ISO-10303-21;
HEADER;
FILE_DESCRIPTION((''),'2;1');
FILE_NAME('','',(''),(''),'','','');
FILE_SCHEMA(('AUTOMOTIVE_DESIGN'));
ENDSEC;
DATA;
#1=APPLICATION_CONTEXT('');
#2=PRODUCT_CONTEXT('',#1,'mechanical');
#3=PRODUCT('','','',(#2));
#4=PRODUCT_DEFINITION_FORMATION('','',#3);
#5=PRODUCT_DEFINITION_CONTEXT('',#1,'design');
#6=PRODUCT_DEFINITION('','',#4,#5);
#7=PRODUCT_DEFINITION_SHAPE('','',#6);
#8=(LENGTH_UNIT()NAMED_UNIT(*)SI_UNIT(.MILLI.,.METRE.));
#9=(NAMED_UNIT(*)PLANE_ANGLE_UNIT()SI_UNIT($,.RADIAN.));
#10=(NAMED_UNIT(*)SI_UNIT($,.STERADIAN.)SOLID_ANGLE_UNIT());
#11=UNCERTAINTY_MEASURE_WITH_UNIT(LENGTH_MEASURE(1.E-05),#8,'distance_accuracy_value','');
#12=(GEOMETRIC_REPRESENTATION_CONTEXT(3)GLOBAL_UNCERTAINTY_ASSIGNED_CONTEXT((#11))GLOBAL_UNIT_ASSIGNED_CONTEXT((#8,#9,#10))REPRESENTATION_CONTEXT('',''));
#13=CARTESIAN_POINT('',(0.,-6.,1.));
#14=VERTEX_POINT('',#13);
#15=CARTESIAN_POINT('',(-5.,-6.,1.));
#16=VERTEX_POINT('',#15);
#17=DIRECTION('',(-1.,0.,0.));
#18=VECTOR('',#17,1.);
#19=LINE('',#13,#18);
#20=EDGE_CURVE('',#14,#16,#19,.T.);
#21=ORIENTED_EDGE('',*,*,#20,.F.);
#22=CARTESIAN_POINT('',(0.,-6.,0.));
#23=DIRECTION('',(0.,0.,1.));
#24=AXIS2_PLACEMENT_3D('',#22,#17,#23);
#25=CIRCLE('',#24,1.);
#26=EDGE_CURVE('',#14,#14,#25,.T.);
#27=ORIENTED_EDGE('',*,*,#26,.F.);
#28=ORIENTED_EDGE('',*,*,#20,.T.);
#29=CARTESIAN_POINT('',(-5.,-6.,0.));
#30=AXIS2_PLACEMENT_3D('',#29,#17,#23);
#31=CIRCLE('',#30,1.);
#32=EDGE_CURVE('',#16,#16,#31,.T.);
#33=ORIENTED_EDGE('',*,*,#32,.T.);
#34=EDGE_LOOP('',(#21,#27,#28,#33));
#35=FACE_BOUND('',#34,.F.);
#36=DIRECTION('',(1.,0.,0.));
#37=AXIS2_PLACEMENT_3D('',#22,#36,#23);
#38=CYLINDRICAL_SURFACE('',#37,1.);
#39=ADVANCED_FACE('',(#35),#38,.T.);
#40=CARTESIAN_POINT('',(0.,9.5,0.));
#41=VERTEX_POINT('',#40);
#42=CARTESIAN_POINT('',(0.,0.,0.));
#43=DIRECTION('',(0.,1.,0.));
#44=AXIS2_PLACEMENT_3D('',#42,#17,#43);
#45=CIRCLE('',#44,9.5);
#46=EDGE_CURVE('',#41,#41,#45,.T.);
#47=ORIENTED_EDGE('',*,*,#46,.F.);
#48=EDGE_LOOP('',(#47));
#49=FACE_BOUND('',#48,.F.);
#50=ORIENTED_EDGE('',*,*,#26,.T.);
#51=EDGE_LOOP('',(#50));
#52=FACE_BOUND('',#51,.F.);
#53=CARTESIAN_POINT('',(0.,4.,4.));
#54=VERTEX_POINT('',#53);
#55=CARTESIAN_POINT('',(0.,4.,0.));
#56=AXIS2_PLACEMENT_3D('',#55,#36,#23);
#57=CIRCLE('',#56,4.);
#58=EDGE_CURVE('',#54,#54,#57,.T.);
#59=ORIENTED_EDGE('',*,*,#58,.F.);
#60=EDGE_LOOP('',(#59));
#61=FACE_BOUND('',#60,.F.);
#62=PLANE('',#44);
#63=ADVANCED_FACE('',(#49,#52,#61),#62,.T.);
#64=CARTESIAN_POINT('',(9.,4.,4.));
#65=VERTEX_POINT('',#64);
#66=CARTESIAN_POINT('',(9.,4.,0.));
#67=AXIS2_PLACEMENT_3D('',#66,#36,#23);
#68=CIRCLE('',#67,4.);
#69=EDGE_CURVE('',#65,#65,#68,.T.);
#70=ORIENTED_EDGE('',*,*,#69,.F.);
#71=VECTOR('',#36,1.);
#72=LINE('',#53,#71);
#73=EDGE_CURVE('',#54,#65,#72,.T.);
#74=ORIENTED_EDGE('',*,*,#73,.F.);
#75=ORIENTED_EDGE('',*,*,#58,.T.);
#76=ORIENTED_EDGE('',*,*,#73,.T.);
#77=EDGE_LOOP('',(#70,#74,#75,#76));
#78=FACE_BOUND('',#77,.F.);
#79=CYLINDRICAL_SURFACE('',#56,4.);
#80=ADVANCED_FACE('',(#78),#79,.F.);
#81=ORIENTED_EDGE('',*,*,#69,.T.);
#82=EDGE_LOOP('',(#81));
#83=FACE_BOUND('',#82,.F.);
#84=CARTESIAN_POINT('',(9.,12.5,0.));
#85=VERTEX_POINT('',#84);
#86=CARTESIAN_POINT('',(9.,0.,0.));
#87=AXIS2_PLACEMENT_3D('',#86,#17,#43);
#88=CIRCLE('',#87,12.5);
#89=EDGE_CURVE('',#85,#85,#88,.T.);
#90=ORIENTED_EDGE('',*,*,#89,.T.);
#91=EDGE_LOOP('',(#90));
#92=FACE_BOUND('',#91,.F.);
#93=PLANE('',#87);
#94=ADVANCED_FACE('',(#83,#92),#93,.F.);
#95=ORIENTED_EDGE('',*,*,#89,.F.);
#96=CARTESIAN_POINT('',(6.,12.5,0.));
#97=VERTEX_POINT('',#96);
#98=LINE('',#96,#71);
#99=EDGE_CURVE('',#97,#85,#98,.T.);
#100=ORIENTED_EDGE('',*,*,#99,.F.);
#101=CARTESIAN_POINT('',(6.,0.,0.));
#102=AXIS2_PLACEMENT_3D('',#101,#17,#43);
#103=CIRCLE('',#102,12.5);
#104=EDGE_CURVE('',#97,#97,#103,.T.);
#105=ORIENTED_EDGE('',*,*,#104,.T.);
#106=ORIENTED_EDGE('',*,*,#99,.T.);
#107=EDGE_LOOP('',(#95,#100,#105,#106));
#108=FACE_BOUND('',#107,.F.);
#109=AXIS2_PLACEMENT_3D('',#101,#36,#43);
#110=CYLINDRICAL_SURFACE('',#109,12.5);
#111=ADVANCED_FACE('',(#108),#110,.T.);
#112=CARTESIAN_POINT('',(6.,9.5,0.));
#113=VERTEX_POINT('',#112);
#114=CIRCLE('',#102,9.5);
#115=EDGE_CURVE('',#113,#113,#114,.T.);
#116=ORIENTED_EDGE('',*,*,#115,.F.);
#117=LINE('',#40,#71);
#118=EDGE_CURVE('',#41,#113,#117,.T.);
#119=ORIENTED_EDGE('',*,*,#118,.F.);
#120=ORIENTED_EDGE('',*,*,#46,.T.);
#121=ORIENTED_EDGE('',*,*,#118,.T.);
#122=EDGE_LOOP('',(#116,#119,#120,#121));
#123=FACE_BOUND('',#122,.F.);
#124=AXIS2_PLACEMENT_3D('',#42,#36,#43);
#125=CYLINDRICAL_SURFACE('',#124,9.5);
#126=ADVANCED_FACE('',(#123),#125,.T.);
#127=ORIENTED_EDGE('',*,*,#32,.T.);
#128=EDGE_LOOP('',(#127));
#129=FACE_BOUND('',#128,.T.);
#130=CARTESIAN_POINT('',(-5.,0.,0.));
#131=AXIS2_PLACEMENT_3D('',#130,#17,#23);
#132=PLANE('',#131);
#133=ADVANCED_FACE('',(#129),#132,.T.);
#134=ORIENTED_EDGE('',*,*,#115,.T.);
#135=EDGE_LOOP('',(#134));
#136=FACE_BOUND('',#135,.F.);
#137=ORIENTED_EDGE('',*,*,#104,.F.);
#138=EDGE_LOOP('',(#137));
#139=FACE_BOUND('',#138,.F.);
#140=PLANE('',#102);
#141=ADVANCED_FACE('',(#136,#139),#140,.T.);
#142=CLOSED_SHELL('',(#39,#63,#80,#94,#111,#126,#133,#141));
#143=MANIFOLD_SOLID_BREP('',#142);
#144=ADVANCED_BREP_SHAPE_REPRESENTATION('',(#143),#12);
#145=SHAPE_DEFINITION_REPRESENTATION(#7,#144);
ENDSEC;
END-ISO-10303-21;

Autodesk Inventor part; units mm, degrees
ref_plane "YZ Plane" through (0, 0, 0) normal (1, 0, 0) x (0, 1, 0)
ref_plane "XZ Plane" through (0, 0, 0) normal (0, 1, 0) x (-1, 0, 0)
ref_plane "XY Plane" through (0, 0, 0) normal (0, 0, 1) x (1, 0, 0)
sketch "Sketch1" plane through (0, 0, 0) normal (0, 0, 1) x (1, 0, 0)
  line L0 (0, 0) -> (0, 9.5)
  line L1 (0, 9.5) -> (6, 9.5)
  line L2 (6, 9.5) -> (6, 12.5)
  line L3 (6, 12.5) -> (9, 12.5)
  line L4 (9, 12.5) -> (9, 0)
  line L5 (9, 0) -> (0, 0)
  point P0 (7.5, 12.5)
  dimension "d0" = 3
  dimension "d1" = 6
  dimension "d2" = 25
  dimension "d3" = 19
revolve "Revolution1" add sketch "Sketch1" angle 360 about axis through (9, 0, 0) along (-1, 0, 0)
sketch "Sketch2" plane through (0, 0, 0) normal (-1, 0, 0) x (0, 0, 1)
  point P0 (0, 0)
  point P1 (0, 4)
  dimension "d12" = 4
hole "Hole1" at (0, 4, 0) direction (1, 0, 0) diameter 8 depth 9
sketch "Sketch4" plane through (0, 0, 0) normal (-1, 0, 0) x (0, 0, 1)
  circle A0 centre (0, -6) radius 1
  point P0 (0, 0)
  dimension "d21" = 6
  dimension "d22" = 2
extrude "Extrusion1" add sketch "Sketch4" along normal blind 5
properties part number "203"
